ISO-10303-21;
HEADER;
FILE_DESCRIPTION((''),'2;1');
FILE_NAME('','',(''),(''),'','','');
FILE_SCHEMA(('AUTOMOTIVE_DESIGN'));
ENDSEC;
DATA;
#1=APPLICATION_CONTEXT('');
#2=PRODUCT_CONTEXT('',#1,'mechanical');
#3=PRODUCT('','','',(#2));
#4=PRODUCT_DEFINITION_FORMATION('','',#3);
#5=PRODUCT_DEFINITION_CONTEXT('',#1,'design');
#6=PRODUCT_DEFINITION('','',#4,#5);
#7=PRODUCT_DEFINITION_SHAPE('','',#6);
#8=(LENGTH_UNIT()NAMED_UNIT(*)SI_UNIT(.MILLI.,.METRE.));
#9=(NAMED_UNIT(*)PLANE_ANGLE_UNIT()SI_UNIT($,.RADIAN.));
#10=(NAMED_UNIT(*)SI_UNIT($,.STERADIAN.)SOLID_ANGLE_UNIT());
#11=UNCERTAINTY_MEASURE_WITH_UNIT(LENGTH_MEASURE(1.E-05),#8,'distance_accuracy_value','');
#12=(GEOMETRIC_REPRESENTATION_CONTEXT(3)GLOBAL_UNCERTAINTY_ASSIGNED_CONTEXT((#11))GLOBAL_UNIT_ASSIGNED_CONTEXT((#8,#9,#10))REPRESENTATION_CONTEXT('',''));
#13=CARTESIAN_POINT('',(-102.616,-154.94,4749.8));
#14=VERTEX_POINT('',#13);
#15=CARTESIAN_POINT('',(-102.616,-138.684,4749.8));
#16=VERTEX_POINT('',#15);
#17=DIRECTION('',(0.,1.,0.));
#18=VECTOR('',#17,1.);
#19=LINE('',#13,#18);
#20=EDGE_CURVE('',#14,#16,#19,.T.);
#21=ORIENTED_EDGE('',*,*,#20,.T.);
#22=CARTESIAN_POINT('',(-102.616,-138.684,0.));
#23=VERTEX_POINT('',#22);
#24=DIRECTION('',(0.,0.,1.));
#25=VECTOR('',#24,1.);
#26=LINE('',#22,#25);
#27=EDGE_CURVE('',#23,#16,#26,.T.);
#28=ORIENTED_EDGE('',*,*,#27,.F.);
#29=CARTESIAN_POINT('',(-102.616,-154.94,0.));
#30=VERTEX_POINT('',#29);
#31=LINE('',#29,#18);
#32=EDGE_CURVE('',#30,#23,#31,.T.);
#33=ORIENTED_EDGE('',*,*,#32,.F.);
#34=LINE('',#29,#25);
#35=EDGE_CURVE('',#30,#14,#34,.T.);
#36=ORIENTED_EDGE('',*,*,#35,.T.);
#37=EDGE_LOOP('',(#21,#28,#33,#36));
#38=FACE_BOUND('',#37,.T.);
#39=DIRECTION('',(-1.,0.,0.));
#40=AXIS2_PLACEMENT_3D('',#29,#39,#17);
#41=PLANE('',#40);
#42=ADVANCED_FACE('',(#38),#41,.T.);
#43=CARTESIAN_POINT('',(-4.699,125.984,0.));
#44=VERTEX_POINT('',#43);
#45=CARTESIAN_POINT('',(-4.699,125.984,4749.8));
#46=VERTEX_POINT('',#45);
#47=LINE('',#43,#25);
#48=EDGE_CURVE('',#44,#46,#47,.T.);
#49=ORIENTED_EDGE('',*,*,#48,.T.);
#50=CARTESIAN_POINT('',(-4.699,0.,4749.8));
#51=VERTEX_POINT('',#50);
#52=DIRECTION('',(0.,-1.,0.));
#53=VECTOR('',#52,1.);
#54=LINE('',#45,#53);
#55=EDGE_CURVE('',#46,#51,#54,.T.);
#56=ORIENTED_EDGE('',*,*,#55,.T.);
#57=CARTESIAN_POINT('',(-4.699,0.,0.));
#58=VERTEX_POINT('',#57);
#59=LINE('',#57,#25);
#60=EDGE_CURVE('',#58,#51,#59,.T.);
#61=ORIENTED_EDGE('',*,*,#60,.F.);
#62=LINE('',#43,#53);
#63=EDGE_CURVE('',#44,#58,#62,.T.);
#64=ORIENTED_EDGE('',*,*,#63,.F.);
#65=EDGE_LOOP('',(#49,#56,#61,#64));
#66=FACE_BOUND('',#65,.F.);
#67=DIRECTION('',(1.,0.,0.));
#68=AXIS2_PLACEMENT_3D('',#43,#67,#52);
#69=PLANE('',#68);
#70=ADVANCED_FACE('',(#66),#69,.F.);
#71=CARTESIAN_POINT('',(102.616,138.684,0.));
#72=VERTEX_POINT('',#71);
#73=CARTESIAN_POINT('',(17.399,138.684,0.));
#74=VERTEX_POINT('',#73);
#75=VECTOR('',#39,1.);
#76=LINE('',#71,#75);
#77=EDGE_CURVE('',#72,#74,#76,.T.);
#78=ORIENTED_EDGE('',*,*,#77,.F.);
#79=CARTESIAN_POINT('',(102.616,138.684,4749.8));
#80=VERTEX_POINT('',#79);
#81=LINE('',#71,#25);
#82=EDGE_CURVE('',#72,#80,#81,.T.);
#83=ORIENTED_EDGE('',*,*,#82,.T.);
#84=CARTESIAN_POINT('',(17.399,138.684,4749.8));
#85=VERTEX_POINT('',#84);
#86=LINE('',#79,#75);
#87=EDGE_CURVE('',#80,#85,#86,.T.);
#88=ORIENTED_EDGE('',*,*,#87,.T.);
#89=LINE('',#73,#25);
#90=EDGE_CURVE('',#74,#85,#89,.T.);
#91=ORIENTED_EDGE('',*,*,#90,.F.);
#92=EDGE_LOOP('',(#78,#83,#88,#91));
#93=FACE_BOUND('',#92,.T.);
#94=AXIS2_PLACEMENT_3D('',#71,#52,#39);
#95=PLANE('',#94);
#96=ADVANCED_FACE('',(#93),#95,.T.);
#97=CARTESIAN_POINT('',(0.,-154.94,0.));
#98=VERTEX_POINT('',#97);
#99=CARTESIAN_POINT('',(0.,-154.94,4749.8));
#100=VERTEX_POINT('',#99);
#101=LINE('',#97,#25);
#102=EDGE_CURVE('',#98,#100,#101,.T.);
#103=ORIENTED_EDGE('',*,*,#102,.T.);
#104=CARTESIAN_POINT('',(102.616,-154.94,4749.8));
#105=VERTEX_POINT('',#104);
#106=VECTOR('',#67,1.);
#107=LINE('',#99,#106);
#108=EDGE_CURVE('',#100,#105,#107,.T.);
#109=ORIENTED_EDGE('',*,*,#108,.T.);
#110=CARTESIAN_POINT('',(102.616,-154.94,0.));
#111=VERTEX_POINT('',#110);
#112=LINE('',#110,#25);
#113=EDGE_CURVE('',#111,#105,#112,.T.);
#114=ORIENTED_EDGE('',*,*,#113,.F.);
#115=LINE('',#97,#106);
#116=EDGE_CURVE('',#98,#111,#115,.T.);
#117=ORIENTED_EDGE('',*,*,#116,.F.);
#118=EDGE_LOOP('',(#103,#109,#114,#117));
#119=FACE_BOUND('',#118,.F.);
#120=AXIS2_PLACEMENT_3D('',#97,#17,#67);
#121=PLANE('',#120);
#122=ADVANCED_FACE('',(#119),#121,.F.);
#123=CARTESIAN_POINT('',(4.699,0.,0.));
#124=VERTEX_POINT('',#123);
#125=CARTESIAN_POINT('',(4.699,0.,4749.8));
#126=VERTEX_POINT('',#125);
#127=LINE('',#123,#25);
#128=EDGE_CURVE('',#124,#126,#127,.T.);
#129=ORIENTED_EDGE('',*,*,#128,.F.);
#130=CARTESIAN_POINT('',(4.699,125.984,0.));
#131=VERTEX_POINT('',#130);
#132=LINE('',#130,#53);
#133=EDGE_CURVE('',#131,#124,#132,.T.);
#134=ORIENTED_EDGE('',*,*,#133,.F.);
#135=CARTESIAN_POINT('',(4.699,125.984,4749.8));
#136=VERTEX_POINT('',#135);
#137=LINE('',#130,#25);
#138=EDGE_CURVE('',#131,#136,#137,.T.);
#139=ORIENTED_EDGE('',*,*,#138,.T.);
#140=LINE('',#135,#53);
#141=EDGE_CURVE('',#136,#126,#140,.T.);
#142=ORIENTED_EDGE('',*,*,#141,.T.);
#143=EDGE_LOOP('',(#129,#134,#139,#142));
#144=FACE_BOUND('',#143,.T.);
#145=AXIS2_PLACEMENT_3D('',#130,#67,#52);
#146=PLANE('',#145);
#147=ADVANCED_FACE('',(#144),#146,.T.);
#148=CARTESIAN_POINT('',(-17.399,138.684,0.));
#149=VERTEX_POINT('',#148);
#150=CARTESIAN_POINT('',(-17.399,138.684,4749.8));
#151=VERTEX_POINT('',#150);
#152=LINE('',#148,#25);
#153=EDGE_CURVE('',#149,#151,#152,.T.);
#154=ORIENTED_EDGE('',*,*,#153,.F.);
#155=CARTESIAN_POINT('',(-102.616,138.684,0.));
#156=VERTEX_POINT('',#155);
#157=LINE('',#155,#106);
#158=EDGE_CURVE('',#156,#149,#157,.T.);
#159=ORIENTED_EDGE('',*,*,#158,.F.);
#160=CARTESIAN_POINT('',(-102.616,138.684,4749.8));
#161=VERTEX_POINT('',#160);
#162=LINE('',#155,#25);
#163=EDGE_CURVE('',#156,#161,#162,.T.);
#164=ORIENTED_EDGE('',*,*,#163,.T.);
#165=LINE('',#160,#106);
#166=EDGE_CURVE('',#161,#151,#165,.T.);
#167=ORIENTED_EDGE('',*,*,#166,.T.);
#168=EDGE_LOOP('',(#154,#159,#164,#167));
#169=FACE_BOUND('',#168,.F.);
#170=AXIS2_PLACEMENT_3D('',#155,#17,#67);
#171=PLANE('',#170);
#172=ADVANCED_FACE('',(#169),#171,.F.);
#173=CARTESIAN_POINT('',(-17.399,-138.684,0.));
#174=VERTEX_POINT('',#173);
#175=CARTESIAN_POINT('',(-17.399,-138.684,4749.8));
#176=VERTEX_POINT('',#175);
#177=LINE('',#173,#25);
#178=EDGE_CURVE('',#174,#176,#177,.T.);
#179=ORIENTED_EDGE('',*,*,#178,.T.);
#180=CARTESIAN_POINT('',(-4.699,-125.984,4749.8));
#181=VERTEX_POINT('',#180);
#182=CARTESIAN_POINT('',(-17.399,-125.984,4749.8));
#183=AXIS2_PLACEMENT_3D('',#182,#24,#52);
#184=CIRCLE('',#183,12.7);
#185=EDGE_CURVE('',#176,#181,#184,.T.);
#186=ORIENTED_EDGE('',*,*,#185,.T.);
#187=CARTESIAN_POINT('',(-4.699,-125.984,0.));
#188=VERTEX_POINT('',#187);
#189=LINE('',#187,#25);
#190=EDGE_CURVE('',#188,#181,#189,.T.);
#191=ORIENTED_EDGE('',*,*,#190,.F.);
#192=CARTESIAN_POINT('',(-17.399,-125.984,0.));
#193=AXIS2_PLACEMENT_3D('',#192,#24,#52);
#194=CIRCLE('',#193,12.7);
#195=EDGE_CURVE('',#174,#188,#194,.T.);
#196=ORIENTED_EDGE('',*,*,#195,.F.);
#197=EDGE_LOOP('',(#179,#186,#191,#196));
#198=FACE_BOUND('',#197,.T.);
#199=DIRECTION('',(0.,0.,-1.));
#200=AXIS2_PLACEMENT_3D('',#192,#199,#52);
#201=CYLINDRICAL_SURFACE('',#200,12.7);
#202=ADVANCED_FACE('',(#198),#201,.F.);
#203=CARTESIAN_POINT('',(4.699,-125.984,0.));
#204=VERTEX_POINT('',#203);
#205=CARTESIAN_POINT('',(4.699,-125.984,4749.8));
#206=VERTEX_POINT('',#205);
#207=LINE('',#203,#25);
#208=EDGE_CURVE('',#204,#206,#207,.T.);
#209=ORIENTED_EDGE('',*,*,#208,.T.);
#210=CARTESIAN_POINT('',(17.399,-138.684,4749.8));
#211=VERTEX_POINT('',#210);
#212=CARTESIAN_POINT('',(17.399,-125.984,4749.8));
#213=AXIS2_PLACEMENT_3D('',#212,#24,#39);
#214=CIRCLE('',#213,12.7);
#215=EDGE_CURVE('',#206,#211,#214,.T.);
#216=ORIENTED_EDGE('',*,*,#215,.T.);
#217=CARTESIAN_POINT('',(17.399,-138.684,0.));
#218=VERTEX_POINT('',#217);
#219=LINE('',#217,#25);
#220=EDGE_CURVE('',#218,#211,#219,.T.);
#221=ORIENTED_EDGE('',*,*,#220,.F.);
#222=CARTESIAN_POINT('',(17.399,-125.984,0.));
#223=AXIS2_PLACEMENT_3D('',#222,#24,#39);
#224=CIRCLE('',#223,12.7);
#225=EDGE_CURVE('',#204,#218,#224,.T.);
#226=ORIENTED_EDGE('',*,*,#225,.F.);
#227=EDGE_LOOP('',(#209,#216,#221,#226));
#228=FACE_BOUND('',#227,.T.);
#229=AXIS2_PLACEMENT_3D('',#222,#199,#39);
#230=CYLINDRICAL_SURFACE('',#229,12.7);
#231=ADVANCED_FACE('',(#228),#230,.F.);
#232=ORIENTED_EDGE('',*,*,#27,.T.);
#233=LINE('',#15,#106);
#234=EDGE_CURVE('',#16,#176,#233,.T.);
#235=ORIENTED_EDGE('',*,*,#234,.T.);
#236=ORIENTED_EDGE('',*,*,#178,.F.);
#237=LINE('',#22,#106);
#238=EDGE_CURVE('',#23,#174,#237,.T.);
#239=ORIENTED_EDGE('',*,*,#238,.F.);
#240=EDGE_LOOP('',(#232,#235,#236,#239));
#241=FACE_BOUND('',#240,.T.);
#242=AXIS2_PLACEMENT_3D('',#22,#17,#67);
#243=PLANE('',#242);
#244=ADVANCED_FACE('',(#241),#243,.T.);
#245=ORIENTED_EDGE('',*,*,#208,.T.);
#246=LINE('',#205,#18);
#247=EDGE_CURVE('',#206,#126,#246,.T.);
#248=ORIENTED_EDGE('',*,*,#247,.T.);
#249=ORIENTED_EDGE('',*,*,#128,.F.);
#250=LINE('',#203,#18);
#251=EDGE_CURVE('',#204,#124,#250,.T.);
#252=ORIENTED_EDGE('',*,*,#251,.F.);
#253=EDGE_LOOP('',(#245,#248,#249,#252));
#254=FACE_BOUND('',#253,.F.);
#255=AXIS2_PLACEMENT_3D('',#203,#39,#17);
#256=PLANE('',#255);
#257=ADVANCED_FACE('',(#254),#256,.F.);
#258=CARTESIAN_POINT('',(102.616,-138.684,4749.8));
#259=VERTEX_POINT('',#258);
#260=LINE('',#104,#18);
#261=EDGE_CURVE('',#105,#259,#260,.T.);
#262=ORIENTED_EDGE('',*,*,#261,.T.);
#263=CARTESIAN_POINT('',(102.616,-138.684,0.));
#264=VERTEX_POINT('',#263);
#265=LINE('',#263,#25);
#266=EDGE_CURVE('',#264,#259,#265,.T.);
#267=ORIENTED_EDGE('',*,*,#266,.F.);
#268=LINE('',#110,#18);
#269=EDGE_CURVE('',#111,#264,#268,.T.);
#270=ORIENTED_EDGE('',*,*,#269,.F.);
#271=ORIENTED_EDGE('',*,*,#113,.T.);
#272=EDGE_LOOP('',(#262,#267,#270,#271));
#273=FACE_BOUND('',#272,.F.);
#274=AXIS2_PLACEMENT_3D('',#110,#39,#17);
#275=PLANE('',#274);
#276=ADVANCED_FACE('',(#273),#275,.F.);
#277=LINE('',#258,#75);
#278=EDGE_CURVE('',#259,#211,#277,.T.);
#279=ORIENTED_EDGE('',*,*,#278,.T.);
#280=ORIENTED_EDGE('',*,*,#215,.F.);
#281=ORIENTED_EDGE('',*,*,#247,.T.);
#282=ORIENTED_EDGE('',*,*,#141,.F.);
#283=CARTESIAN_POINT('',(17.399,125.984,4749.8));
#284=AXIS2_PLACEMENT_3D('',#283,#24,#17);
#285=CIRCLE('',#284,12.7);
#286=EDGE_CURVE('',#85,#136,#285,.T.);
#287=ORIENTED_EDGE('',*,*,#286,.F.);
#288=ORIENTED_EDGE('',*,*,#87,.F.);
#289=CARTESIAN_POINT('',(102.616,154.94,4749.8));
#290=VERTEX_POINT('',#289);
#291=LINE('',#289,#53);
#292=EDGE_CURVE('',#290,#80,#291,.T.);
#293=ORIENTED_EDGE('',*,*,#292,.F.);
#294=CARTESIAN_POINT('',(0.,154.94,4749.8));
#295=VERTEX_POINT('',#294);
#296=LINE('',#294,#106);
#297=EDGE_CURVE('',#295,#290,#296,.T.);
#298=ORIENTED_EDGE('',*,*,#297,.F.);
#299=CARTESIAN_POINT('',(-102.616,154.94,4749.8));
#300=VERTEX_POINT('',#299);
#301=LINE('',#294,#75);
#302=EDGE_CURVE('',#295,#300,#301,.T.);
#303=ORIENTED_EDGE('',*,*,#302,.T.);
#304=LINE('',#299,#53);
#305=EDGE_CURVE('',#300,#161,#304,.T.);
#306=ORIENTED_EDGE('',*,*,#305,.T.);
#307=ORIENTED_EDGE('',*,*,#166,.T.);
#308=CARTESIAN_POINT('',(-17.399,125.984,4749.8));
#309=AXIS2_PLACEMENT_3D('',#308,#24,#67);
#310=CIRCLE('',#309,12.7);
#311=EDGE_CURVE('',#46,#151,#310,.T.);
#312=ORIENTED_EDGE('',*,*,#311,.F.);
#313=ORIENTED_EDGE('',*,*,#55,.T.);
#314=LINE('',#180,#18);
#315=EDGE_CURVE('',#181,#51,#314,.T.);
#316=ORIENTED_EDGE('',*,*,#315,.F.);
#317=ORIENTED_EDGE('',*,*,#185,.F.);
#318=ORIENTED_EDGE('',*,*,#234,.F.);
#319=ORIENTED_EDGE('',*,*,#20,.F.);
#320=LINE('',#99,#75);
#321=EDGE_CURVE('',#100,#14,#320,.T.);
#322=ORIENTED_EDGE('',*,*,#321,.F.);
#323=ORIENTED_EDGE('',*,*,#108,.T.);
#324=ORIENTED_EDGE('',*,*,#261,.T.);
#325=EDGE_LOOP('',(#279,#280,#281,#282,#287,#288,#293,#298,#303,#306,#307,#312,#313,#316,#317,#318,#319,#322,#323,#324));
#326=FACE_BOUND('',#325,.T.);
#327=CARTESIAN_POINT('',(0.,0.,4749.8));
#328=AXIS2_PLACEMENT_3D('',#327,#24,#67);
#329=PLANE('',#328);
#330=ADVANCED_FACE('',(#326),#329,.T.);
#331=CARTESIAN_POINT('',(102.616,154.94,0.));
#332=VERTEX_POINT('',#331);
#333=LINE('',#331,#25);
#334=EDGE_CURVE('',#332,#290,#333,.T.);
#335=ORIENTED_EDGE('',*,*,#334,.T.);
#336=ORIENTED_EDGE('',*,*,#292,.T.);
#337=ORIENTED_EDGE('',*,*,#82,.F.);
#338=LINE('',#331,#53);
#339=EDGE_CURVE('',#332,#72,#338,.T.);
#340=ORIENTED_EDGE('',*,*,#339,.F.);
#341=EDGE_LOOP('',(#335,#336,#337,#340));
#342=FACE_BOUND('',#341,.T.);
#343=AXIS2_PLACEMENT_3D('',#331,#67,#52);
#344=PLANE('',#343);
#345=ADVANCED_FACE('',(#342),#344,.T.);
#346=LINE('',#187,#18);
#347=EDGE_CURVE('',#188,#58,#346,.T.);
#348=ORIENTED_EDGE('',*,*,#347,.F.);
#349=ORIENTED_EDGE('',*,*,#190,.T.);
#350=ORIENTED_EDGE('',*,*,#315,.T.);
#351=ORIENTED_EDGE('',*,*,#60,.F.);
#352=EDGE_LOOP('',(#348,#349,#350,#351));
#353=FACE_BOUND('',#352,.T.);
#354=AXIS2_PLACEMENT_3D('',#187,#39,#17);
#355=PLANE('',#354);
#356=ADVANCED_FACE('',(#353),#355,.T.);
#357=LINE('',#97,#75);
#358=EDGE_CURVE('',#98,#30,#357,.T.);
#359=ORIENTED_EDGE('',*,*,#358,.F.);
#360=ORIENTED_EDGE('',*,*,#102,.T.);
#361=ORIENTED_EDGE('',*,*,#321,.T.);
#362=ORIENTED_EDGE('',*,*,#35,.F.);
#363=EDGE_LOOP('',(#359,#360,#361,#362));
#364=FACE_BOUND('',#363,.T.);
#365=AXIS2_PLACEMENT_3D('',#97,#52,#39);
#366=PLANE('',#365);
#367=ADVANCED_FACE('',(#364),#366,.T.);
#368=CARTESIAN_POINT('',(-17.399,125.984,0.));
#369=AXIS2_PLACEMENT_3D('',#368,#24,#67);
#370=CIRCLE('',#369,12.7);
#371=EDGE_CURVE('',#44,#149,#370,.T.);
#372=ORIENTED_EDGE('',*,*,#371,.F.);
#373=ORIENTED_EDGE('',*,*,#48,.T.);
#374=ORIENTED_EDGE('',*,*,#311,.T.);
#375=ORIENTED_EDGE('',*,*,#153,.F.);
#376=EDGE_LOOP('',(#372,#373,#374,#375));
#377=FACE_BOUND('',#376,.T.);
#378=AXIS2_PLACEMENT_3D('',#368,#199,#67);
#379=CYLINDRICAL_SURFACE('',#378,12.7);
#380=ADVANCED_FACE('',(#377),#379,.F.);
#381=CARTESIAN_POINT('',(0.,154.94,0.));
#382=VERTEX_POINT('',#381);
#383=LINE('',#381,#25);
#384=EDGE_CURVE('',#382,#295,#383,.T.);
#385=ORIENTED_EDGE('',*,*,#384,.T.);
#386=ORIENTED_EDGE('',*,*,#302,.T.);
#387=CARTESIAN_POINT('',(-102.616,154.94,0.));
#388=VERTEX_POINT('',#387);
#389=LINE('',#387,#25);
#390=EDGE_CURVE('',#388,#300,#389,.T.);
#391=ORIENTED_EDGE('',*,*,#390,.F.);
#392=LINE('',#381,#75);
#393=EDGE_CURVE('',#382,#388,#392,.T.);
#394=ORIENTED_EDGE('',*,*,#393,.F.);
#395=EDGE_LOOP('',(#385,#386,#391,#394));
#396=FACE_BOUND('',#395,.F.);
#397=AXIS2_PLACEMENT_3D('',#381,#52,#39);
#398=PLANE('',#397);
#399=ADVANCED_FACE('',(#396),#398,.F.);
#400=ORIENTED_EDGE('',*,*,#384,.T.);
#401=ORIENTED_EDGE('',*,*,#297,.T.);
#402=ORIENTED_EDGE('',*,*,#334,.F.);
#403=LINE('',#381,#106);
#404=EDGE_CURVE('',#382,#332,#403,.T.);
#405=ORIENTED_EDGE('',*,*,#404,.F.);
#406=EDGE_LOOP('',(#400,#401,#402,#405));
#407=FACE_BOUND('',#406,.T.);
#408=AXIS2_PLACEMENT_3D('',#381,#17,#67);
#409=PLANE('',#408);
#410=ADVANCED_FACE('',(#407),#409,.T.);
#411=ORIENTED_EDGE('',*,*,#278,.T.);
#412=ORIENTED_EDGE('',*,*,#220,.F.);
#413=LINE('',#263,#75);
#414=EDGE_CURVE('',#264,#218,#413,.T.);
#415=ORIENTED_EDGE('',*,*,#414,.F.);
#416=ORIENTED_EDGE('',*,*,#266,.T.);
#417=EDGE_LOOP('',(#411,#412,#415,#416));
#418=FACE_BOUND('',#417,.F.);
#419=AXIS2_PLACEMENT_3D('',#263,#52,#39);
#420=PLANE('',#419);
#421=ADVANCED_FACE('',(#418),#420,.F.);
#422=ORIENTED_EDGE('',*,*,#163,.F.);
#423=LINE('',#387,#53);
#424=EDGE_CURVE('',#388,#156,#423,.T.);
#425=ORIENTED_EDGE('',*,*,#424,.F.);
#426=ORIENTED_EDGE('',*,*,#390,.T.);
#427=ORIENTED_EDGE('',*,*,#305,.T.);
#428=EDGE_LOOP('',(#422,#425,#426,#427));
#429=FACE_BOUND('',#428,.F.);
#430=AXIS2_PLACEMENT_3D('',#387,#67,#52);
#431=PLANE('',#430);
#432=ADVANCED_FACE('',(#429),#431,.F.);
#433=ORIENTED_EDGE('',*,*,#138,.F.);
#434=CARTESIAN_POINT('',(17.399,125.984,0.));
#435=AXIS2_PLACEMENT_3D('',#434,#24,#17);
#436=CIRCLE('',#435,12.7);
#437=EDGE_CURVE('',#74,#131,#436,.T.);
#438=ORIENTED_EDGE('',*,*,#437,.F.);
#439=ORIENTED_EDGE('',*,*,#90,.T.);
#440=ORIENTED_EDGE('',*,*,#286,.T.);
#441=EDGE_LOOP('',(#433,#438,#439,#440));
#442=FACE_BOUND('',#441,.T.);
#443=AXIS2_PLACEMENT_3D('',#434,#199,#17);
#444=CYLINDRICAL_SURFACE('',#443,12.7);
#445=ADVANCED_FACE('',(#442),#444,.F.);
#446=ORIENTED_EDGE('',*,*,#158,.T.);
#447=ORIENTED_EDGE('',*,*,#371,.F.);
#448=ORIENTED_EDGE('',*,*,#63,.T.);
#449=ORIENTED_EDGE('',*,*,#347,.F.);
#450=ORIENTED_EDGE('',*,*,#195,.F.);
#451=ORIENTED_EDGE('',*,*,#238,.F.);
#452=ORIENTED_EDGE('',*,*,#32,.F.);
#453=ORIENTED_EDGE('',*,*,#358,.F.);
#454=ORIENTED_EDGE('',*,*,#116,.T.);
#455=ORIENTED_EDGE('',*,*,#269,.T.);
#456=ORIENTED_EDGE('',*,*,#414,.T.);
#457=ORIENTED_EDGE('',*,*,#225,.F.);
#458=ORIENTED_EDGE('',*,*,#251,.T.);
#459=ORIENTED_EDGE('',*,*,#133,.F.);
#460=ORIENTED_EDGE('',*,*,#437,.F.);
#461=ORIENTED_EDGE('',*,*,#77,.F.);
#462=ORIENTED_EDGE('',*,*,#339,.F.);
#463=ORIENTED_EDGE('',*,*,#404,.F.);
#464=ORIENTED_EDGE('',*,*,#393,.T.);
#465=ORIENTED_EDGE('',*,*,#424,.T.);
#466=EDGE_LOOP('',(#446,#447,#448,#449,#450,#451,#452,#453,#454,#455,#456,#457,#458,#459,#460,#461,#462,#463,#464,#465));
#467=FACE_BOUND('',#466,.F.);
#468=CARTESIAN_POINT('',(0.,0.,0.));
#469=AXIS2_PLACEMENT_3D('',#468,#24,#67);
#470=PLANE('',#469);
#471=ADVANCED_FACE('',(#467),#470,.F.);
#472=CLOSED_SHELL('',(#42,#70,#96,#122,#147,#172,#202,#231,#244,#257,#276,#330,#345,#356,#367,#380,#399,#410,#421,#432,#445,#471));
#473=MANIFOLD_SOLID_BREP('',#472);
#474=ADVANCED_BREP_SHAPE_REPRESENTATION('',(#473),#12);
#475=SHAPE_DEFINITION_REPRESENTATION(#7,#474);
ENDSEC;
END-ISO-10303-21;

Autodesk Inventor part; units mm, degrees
ref_plane "YZ Plane" through (0, 0, 0) normal (1, 0, 0) x (0, 1, 0)
ref_plane "Plano inicial" through (0, 0, 0) normal (0, 0, 1) x (1, 0, 0)
ref_plane "Plano final" through (0, 0, 4749.8) normal (0, 0, 1) x (1, 0, 0)
sketch "Boceto" plane through (0, 0, 0) normal (0, 0, 1) x (1, 0, 0)
  line L0 (-102.616, -154.94) -> (-102.616, -138.684)
  line L1 (-102.616, -138.684) -> (-17.399, -138.684)
  line L2 (-4.699, -125.984) -> (-4.699, 0)
  line L3 (-4.699, 0) -> (0, 0) construction
  line L4 (0, 0) -> (0, -154.94) construction
  line L5 (0, -154.94) -> (-102.616, -154.94)
  line L6 (-60, 0) -> (80, 0) construction
  line L7 (0, -60) -> (0, 80) construction
  line L8 (102.616, -154.94) -> (102.616, -138.684)
  line L9 (102.616, -138.684) -> (17.399, -138.684)
  line L10 (4.699, -125.984) -> (4.699, 0)
  line L11 (4.699, 0) -> (0, 0) construction
  line L12 (0, -154.94) -> (102.616, -154.94)
  line L13 (-102.616, 154.94) -> (-102.616, 138.684)
  line L14 (-102.616, 138.684) -> (-17.399, 138.684)
  line L15 (-4.699, 125.984) -> (-4.699, 0)
  line L16 (0, 154.94) -> (-102.616, 154.94)
  line L17 (102.616, 154.94) -> (102.616, 138.684)
  line L18 (102.616, 138.684) -> (17.399, 138.684)
  line L19 (0, 154.94) -> (102.616, 154.94)
  line L20 (4.699, 125.984) -> (4.699, 0)
  arc A0 (-4.699, 125.984) -> (-17.399, 138.684) centre (-17.399, 125.984) ccw
  arc A1 (17.399, 138.684) -> (4.699, 125.984) centre (17.399, 125.984) ccw
  arc A2 (4.699, -125.984) -> (17.399, -138.684) centre (17.399, -125.984) ccw
  arc A3 (-17.399, -138.684) -> (-4.699, -125.984) centre (-17.399, -125.984) ccw
  line L21 (0, 216.916) -> (0, -216.916) construction
  line L22 (-143.6624, 0) -> (143.6624, 0) construction
  point P0 (-4.699, -138.684)
  point P1 (4.699, -138.684)
  point P2 (-4.699, 138.684)
  point P3 (4.699, 138.684)
  dimension "d1" = 154.94
  dimension "d2" = 16.256
  dimension "d3" = 102.616
  dimension "d4" = 4.699
  dimension "d13" = 12.7
extrude "Cuerpo" add sketch "Boceto" along normal up to surface (4749.8 mm away) from surface at 0
sketch "Sketch4" plane through (0, 0, 0) normal (0, 0, 1) x (1, 0, 0)
  line L0 (0, 0) -> (10, 0)
ref_plane "Work Plane3" through (0, 0, 0) normal (0, -1, 0) x (1, 0, 0)
sketch "Sketch5" plane through (0, 0, 0) normal (0, -1, 0) x (1, 0, 0)
  line L0 (-2, 0) -> (12, 0)
  line L1 (-2, 4749.8) -> (12, 4749.8)
  dimension "d15" = 4749.8
equation "\"d1\" = 0.5 * G_H"
equation "\"d2\" = G_T1"
equation "\"d3\" = 0.5 * G_W"
equation "\"d4\" = 0.5 * G_T"
equation "\"d13\" = G_IR"
equation "\"d5\" = G_L"
equation "\"G_W\" = 205.232"
equation "\"G_H\" = 309.88"
equation "\"G_T\" = 9.398"
equation "\"G_T1\" = 16.256"
equation "\"G_IR\" = 12.7"
equation "\"G_L\" = d15"
equation "\"G_OFFSET_START\" = 0"
equation "\"G_OFFSET_END\" = 0"
equation "\"d12\" = G_OFFSET_END + B_L"
equation "\"B_L\" = 4749.8"
properties part number "AISC - W 12x50 - 187" material "Acero, suave"
